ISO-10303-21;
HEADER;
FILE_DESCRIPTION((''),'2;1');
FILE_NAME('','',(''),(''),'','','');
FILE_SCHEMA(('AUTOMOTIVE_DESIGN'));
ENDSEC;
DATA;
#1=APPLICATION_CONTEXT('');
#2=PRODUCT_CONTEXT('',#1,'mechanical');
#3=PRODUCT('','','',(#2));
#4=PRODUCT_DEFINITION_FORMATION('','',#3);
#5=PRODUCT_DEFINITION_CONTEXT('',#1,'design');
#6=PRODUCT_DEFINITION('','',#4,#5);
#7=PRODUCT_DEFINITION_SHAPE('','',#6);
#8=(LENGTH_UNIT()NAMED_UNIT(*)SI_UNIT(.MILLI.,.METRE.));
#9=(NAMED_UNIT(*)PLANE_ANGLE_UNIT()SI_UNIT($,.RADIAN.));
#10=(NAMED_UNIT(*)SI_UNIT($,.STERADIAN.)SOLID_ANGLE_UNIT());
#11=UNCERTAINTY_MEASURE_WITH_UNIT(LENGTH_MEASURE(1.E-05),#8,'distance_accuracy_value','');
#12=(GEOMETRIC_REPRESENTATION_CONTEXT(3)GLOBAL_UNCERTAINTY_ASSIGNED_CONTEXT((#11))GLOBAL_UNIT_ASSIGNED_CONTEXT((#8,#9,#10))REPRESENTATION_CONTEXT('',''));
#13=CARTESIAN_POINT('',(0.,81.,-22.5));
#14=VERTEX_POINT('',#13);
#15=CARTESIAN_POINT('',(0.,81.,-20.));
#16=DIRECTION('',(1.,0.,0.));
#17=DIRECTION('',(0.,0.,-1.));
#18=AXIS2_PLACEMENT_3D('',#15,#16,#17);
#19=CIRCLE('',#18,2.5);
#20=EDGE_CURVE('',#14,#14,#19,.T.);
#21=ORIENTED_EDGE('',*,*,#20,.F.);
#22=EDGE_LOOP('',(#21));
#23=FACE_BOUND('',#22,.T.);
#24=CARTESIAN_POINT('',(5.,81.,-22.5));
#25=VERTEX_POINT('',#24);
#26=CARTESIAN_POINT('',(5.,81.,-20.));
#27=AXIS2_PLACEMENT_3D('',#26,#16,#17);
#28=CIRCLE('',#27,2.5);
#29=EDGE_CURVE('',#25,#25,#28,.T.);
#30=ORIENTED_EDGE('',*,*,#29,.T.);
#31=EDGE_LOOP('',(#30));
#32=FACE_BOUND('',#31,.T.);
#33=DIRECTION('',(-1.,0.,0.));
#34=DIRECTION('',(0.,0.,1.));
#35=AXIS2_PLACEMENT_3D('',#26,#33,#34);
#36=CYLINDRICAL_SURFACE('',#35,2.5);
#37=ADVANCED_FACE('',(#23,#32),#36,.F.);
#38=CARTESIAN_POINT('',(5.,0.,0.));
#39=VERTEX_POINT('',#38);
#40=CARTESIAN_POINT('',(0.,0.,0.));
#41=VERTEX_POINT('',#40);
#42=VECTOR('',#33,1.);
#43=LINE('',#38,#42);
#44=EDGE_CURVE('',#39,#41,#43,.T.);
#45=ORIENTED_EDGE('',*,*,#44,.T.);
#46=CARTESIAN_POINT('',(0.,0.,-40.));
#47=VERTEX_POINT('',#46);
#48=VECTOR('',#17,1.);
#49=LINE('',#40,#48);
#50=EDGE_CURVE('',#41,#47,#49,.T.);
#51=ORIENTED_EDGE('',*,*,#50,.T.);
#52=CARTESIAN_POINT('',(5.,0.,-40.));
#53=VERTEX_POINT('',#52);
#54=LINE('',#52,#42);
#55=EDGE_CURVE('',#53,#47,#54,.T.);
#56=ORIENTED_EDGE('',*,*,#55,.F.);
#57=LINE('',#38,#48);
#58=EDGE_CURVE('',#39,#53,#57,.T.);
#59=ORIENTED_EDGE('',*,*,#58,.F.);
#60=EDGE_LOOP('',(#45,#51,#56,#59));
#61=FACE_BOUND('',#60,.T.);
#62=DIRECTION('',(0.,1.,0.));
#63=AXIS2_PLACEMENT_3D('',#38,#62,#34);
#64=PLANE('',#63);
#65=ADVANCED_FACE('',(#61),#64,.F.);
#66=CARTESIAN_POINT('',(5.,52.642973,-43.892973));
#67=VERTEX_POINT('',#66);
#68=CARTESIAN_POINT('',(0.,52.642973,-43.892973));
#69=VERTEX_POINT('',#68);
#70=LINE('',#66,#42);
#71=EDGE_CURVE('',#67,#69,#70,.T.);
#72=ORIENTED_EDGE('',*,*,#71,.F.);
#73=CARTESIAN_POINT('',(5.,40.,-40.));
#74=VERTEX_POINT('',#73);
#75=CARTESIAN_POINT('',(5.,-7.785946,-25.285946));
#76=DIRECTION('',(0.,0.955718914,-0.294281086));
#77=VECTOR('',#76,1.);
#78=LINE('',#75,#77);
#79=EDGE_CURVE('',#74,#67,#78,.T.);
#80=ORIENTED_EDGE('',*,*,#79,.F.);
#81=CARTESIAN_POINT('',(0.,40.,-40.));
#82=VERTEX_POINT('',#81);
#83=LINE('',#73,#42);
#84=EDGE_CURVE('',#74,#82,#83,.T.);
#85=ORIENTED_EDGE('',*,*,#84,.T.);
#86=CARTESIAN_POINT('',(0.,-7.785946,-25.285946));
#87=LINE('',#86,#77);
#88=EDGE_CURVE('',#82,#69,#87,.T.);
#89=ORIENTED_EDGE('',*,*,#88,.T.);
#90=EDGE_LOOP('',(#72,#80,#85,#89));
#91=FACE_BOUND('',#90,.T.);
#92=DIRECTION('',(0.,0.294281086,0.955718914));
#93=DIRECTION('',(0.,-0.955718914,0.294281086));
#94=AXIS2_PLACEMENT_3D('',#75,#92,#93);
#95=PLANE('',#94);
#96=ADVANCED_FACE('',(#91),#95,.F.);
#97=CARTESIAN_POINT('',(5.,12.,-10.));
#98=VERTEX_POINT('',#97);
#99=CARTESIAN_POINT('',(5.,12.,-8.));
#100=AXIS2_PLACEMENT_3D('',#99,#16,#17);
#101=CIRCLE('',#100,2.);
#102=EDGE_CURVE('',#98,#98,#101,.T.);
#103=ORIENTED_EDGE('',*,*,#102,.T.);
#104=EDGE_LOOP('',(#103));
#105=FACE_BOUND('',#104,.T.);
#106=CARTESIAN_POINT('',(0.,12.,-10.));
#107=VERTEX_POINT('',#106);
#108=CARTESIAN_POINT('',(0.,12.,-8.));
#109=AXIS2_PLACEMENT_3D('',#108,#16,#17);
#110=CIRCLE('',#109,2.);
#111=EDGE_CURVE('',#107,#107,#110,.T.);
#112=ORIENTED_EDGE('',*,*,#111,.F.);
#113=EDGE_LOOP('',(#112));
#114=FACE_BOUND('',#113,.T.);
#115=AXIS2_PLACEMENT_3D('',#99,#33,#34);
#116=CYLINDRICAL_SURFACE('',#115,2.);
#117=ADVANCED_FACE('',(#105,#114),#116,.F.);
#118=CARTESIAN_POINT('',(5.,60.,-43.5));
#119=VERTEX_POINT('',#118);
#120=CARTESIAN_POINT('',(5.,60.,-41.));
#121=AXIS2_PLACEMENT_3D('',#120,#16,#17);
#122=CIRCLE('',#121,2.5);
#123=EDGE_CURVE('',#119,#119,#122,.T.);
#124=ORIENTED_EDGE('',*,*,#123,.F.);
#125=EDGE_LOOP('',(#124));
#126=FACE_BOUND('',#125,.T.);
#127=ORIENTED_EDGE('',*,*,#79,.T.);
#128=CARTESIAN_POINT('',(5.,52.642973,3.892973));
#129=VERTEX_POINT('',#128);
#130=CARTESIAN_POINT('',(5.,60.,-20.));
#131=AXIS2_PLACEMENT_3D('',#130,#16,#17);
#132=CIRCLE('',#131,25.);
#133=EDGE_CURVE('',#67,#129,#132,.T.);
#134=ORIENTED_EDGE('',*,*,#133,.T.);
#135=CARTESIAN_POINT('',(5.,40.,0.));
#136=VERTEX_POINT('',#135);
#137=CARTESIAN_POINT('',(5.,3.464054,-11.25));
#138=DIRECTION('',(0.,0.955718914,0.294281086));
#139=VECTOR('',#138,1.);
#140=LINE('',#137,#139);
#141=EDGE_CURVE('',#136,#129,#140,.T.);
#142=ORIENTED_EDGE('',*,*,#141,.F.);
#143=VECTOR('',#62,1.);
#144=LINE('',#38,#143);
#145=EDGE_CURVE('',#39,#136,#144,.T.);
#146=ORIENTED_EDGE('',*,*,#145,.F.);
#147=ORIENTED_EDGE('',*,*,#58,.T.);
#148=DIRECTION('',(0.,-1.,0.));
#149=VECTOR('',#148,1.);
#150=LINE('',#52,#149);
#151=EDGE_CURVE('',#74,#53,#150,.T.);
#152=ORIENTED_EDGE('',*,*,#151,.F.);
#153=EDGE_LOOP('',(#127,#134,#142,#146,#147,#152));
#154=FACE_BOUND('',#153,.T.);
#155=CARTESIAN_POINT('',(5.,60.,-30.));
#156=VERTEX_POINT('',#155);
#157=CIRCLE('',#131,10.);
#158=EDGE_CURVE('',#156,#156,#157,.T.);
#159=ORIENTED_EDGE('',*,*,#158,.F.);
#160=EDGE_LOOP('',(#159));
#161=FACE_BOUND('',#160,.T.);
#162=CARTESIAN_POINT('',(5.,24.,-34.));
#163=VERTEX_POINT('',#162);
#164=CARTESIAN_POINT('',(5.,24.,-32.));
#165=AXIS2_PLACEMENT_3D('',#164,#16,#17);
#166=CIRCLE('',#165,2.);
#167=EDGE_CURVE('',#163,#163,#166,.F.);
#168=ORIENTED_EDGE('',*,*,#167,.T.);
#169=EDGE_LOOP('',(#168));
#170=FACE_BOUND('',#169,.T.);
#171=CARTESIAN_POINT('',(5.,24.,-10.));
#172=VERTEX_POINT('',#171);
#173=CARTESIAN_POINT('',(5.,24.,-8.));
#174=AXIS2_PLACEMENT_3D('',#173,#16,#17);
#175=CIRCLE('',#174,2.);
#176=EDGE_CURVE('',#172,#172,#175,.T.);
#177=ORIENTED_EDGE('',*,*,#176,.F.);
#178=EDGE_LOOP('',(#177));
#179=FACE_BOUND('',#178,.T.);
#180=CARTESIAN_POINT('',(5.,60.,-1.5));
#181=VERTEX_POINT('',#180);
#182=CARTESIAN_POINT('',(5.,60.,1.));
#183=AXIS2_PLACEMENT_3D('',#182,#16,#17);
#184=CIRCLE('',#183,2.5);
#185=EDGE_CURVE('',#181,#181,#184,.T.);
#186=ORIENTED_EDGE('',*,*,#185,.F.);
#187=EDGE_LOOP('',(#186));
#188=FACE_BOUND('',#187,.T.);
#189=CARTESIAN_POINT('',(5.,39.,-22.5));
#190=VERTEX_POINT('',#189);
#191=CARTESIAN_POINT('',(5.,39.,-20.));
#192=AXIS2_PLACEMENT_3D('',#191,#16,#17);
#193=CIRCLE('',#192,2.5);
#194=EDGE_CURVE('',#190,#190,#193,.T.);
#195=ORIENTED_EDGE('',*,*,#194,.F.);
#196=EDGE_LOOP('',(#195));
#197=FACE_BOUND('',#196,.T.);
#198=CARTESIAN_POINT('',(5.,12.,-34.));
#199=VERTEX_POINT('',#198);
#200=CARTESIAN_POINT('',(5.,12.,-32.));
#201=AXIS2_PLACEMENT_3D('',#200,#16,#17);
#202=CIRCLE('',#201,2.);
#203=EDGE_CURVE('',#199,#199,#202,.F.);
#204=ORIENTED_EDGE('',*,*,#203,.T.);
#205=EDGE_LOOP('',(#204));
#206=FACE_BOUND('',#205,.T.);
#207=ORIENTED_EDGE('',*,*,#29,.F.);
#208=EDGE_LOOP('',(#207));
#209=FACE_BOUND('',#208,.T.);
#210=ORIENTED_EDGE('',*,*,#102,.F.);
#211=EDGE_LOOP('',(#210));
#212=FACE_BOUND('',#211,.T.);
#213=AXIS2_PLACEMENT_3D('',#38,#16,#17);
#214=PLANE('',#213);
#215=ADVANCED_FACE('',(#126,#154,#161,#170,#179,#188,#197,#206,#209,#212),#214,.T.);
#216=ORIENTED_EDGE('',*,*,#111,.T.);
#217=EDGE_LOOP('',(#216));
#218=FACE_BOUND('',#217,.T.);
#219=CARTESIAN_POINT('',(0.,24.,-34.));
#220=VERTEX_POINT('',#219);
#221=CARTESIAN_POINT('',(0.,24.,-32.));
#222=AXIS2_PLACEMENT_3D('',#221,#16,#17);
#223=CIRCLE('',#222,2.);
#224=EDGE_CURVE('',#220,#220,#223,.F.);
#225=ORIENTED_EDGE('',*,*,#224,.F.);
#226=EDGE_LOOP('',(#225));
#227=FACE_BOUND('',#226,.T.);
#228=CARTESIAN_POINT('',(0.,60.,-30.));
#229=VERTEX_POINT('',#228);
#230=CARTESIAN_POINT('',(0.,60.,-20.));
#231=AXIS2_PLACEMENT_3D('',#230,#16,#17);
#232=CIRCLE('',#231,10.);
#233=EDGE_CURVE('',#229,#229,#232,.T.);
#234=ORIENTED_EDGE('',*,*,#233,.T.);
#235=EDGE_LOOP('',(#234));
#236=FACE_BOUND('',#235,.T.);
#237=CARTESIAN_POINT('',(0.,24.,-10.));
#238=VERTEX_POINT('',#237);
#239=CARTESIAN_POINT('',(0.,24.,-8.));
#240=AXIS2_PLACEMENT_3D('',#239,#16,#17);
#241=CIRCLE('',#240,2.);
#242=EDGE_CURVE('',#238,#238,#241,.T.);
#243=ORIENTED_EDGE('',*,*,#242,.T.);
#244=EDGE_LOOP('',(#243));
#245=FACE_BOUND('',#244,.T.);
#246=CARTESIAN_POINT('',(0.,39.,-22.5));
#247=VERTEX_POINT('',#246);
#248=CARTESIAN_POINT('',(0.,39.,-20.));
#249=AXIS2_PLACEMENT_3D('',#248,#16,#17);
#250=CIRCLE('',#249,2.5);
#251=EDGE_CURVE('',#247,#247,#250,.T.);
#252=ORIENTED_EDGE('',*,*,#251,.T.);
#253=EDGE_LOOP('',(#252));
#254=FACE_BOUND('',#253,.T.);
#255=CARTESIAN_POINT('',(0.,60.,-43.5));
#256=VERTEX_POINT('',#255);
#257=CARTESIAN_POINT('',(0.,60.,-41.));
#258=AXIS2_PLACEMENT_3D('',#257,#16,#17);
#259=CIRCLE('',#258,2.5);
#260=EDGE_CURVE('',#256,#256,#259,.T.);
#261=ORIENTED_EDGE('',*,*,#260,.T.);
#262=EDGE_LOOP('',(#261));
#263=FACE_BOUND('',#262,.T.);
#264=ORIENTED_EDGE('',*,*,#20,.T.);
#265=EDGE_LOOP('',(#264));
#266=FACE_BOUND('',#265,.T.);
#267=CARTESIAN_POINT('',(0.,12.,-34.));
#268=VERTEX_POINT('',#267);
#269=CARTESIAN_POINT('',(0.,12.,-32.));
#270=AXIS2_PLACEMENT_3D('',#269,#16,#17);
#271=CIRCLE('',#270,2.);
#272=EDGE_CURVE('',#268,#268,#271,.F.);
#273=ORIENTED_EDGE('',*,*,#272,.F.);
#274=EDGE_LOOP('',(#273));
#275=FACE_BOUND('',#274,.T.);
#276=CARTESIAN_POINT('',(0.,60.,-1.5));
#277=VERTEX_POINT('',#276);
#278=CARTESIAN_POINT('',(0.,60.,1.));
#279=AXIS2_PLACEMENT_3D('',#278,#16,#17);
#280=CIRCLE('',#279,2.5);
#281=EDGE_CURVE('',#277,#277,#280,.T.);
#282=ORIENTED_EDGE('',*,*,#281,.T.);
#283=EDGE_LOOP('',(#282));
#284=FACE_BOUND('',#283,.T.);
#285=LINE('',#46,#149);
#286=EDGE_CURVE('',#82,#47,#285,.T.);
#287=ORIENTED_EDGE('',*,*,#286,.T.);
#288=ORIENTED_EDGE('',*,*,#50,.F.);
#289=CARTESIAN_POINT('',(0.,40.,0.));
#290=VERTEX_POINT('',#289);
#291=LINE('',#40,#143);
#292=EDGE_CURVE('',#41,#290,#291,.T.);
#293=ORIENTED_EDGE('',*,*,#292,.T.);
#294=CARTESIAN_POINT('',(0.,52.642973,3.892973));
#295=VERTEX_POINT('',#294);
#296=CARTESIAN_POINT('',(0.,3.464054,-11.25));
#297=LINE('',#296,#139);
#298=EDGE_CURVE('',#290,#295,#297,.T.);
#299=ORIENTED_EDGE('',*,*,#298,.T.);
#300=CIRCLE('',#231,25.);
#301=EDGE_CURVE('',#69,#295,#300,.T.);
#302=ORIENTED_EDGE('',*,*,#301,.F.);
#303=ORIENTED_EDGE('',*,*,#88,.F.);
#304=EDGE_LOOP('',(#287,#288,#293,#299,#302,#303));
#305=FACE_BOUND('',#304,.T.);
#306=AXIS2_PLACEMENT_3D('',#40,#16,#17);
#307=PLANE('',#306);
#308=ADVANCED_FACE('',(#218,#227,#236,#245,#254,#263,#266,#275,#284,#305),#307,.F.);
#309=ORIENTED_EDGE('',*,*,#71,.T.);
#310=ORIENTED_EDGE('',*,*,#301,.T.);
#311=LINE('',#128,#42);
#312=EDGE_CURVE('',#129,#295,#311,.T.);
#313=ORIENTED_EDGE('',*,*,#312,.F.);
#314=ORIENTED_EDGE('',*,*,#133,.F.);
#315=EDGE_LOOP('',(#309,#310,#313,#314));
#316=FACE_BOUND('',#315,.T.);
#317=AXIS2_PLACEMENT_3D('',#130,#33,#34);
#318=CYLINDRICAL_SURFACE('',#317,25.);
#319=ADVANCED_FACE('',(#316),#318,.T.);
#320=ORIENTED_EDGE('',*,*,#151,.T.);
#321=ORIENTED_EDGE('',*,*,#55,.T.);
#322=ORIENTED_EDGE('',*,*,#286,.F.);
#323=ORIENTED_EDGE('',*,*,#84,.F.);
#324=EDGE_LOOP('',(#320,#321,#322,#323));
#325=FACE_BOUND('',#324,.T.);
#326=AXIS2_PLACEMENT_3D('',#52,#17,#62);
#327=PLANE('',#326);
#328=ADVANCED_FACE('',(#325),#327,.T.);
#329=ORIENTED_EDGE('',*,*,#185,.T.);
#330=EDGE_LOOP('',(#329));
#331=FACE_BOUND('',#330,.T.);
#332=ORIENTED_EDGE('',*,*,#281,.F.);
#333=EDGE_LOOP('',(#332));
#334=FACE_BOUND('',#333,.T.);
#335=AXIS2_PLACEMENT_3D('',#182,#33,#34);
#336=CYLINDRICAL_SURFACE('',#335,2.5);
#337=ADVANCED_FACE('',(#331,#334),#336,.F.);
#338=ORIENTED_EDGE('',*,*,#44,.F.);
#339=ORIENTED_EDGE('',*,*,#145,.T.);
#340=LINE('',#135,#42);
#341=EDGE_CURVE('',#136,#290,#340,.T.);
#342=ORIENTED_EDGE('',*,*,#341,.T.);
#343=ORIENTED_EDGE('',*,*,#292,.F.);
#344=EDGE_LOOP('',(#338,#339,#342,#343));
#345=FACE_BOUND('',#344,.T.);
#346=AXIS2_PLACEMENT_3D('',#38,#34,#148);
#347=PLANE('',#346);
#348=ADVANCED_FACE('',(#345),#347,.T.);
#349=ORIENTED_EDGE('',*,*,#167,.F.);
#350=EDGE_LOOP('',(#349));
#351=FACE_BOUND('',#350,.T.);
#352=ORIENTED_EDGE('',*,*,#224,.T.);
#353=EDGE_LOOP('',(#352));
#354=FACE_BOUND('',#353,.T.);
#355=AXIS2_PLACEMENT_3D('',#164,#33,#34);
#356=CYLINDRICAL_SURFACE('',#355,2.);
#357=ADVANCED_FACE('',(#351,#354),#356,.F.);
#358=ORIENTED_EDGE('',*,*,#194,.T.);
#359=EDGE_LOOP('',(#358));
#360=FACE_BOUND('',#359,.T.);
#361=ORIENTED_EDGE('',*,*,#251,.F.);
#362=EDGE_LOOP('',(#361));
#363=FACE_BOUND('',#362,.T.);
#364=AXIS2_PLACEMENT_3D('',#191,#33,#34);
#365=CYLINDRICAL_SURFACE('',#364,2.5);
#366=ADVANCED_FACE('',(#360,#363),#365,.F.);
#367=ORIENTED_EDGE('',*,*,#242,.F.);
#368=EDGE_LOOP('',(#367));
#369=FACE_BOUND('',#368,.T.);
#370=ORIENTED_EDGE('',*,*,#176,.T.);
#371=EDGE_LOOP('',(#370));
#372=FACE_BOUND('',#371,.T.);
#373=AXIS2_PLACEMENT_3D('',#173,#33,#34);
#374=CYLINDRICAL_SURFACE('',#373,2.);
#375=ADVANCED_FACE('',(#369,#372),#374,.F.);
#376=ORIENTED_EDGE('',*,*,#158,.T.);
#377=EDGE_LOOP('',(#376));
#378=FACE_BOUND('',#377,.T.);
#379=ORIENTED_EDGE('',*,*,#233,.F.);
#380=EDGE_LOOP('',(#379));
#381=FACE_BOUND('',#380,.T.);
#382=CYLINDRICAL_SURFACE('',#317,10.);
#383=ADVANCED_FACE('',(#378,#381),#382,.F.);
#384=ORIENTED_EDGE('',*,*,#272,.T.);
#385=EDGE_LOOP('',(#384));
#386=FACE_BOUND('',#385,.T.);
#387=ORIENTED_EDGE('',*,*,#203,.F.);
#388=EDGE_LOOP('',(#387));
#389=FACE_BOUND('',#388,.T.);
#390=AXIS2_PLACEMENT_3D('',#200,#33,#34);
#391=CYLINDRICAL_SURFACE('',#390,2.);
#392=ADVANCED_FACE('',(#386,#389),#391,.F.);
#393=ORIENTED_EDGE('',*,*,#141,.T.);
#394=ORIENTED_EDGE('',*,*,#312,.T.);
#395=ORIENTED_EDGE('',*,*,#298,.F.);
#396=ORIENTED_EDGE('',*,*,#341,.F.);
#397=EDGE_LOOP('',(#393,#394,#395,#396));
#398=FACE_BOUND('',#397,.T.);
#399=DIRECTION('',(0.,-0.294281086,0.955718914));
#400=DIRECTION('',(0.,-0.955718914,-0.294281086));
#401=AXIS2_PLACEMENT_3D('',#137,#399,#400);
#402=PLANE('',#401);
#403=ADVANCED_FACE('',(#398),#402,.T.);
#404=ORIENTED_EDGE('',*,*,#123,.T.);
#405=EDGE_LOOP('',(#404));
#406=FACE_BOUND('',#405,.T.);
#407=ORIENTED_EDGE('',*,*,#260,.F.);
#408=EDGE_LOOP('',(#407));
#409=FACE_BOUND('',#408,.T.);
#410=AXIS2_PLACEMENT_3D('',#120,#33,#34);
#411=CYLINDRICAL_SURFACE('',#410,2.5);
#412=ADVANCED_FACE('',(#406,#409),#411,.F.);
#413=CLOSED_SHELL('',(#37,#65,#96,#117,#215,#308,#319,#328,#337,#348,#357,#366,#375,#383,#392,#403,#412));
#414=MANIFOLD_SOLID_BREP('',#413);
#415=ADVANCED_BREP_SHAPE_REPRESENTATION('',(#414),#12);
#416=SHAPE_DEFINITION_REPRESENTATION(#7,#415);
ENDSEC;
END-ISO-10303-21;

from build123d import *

# Parameters (mm, degrees)
CROQUIS1_R              = 2
CROQUIS1_R_2            = 2.5
CROQUIS1_R_3            = 10
SALIENTE_EXTRUIR1_DEPTH = 5


with BuildPart() as part:
    # Croquis1 → Saliente-Extruir1 (new body)
    with BuildSketch(Plane(origin=(0, 0, 0), x_dir=(0, 0, -1), z_dir=(1, 0, 0))):
        with BuildLine():
            ThreePointArc((43.892972847, 52.642972847), (20, 85), (-3.892972847, 52.642972847))
            Line((-3.892972847, 52.642972847), (0, 40))
            Line((0, 40), (0, 0))
            Line((0, 0), (40, 0))
            Line((40, 0), (40, 40))
            Line((40, 40), (43.892972847, 52.642972847))
        make_face()
        with Locations((8, 12)):
            Circle(CROQUIS1_R, mode=Mode.SUBTRACT)
        with Locations((8, 24)):
            Circle(CROQUIS1_R, mode=Mode.SUBTRACT)
        with Locations((20, 39)):
            Circle(CROQUIS1_R_2, mode=Mode.SUBTRACT)
        with Locations((32, 12)):
            Circle(CROQUIS1_R, mode=Mode.SUBTRACT)
        with Locations((32, 24)):
            Circle(CROQUIS1_R, mode=Mode.SUBTRACT)
        with Locations((-1, 60)):
            Circle(CROQUIS1_R_2, mode=Mode.SUBTRACT)
        with Locations((20, 60)):
            Circle(CROQUIS1_R_3, mode=Mode.SUBTRACT)
        with Locations((20, 81)):
            Circle(CROQUIS1_R_2, mode=Mode.SUBTRACT)
        with Locations((41, 60)):
            Circle(CROQUIS1_R_2, mode=Mode.SUBTRACT)
    extrude(amount=SALIENTE_EXTRUIR1_DEPTH)


solid = part.part
